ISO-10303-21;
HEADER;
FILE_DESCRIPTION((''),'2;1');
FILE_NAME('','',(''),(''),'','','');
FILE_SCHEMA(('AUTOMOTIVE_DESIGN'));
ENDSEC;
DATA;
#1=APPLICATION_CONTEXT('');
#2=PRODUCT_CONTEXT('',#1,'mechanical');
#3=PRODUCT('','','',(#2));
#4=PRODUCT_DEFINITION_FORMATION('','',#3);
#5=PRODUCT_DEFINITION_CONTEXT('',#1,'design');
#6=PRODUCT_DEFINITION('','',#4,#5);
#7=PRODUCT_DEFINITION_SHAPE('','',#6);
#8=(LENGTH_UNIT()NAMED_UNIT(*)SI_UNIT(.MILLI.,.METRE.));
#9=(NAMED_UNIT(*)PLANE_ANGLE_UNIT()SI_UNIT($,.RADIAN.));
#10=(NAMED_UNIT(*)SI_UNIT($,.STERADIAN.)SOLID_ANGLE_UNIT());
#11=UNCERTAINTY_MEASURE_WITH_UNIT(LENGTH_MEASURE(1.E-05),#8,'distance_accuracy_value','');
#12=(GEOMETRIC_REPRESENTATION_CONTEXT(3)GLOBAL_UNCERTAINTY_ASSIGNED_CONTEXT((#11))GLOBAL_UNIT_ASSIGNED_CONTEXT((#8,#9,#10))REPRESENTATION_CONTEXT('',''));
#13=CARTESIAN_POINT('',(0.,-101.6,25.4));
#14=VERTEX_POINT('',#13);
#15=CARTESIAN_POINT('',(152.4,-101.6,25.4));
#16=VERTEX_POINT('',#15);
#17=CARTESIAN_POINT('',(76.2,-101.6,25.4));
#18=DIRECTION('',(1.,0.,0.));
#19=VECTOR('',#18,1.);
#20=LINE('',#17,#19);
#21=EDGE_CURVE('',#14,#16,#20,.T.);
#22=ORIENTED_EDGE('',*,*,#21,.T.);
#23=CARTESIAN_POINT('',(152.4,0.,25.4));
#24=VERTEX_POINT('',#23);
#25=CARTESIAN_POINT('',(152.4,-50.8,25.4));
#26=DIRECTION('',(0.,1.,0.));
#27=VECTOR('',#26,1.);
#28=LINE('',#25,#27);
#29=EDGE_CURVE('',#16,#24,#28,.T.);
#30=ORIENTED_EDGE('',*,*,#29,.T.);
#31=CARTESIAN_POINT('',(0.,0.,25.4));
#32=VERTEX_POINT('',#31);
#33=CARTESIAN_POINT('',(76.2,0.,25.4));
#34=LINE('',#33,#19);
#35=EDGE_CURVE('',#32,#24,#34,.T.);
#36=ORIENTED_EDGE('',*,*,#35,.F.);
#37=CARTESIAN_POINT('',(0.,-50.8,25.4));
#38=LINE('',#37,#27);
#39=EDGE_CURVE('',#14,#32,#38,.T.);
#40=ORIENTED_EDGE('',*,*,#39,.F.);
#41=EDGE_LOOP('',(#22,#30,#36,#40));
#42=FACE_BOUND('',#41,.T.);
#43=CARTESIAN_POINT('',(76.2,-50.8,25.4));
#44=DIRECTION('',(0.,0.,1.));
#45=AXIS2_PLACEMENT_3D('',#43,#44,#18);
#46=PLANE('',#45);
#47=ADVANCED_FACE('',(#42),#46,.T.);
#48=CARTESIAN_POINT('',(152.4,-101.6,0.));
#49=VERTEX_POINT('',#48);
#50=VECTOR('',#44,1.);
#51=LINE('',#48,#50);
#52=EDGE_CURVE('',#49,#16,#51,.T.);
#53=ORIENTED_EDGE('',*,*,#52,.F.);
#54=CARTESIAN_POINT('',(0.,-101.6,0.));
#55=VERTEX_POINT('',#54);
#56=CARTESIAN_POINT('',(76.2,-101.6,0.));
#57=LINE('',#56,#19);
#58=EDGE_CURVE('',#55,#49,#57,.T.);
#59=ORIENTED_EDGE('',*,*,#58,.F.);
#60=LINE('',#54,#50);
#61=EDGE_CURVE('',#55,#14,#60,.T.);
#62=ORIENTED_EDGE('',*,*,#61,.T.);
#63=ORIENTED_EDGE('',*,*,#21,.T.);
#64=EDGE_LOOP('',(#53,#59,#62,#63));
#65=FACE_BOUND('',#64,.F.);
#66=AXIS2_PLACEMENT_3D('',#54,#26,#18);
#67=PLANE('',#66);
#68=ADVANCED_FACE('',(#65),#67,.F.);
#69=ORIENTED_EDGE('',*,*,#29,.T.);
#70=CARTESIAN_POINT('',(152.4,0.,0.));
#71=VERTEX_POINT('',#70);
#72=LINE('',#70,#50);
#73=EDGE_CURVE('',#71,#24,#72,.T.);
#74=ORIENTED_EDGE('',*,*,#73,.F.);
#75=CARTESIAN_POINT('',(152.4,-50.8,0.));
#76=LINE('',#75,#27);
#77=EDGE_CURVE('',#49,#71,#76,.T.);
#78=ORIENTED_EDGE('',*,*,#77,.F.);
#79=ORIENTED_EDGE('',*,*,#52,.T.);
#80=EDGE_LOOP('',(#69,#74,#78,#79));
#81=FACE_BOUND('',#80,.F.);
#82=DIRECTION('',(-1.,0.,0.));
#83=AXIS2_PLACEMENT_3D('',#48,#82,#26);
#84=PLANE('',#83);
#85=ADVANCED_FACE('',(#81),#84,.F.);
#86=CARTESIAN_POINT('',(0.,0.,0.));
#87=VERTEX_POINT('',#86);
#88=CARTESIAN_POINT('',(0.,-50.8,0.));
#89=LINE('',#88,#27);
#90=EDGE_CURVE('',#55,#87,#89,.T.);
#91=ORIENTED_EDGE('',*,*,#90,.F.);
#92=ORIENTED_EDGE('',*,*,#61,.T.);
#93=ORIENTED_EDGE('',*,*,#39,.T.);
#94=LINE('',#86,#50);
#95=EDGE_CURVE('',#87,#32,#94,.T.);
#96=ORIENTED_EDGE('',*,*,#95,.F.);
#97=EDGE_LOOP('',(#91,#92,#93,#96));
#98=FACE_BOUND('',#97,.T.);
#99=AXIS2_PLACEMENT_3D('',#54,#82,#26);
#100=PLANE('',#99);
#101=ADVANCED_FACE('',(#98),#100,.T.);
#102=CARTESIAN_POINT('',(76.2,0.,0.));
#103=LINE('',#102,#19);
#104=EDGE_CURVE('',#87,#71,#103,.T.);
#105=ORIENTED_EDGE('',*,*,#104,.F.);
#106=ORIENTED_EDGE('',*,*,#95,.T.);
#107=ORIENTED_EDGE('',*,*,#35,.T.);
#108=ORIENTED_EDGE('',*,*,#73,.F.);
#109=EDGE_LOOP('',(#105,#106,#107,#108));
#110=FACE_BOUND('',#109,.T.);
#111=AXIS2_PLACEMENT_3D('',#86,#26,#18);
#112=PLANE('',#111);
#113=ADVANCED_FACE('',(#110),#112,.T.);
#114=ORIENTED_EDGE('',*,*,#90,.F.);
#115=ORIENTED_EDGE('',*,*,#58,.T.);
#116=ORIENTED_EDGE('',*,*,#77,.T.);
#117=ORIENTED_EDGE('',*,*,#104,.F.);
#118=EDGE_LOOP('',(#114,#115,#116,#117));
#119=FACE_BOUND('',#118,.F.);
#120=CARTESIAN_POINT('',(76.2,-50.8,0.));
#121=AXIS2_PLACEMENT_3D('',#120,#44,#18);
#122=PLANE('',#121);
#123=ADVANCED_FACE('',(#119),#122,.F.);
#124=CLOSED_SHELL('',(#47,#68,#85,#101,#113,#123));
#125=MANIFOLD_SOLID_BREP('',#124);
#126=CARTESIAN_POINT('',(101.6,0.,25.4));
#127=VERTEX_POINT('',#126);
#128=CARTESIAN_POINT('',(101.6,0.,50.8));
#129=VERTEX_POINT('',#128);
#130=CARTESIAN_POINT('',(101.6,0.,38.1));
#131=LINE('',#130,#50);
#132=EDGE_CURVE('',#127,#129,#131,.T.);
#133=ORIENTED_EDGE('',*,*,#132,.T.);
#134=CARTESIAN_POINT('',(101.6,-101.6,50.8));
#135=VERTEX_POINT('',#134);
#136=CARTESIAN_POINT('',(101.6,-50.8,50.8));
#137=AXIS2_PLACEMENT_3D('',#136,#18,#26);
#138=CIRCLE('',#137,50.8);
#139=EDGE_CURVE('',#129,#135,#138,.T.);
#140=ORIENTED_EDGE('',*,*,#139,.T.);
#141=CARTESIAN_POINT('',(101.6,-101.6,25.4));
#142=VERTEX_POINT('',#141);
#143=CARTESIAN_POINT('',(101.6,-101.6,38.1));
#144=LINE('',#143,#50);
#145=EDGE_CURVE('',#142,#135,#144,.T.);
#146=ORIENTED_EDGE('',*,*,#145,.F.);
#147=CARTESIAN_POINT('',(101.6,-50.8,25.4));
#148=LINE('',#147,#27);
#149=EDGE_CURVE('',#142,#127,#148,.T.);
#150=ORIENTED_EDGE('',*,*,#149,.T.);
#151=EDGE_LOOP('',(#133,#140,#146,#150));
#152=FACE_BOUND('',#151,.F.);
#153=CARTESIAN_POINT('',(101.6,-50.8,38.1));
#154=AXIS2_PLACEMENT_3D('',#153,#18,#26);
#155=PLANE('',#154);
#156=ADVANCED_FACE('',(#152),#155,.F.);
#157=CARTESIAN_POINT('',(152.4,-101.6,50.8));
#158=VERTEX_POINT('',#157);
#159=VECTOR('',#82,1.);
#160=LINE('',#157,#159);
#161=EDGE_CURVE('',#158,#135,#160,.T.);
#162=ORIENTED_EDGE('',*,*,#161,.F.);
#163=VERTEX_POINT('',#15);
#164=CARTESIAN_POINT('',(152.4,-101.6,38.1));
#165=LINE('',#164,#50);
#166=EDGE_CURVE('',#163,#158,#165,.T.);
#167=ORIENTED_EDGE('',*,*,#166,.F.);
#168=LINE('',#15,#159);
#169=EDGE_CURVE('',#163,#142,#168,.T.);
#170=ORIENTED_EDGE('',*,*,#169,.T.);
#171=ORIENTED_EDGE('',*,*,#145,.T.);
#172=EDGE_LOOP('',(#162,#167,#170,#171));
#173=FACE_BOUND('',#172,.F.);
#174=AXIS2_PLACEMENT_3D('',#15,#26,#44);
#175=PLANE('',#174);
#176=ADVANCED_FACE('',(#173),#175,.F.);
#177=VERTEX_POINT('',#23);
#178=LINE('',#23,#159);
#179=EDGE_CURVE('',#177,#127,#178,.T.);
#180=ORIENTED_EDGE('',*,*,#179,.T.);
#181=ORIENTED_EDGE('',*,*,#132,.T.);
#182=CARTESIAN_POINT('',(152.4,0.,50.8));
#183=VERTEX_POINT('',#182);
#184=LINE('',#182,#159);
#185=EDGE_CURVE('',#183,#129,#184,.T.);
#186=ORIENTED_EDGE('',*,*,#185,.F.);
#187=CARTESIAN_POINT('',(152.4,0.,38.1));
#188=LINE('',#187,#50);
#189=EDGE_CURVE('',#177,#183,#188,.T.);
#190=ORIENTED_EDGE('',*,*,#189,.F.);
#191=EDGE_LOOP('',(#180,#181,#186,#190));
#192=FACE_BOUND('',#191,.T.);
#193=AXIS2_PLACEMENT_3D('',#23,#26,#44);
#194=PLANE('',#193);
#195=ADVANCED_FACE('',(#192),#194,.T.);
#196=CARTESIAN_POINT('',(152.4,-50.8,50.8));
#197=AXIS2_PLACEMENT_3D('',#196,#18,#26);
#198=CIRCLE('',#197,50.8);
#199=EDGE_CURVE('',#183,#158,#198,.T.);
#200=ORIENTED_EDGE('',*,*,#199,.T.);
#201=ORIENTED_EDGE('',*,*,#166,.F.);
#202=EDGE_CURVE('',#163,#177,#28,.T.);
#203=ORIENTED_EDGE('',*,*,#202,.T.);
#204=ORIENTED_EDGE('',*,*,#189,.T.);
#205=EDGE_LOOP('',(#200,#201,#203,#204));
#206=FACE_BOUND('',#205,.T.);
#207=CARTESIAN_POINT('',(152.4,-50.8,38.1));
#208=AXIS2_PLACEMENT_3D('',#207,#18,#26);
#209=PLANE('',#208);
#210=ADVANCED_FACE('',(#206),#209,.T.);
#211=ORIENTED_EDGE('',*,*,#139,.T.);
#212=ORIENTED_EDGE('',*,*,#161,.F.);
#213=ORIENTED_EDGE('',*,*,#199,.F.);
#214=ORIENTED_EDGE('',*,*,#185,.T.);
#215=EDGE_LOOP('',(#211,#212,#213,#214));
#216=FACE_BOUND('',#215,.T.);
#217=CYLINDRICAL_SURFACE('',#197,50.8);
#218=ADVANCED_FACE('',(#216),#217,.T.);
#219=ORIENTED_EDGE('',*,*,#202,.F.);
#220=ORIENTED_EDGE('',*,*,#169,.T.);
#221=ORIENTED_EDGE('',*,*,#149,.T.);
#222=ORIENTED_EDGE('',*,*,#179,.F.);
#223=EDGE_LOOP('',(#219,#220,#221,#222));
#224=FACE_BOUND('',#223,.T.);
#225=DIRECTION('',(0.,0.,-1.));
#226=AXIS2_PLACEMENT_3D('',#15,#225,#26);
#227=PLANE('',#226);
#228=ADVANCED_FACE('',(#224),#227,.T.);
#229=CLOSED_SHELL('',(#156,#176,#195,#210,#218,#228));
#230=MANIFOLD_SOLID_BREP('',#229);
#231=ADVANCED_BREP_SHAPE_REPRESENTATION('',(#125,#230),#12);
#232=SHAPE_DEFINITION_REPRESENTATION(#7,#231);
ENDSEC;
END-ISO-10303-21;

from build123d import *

# Parameters (mm, degrees)
F0_W     = 152.4
F0_H     = 101.6
F1_DEPTH = 25.4
F2_W     = 101.6
F2_H     = 25.4
F3_DEPTH = 50.8


with BuildPart() as f1:
    # F0 (on Top) → F1 (new body)
    with BuildSketch(Plane.XY):
        with Locations((76.2, -50.8)):
            Rectangle(F0_W, F0_H)
    extrude(amount=F1_DEPTH)


with BuildPart() as f3:
    # F2 (on face) → F3 (new body)
    with BuildSketch(Plane.YZ.offset(152.4)):
        with Locations((-50.8, 38.1)):
            Rectangle(F2_W, F2_H)
        with BuildLine():
            ThreePointArc((0, 50.8), (-50.8, 101.6), (-101.6, 50.8))
            Line((-101.6, 50.8), (0, 50.8))
        make_face()
    extrude(amount=-F3_DEPTH)


solid = Compound([f1.part, f3.part])
